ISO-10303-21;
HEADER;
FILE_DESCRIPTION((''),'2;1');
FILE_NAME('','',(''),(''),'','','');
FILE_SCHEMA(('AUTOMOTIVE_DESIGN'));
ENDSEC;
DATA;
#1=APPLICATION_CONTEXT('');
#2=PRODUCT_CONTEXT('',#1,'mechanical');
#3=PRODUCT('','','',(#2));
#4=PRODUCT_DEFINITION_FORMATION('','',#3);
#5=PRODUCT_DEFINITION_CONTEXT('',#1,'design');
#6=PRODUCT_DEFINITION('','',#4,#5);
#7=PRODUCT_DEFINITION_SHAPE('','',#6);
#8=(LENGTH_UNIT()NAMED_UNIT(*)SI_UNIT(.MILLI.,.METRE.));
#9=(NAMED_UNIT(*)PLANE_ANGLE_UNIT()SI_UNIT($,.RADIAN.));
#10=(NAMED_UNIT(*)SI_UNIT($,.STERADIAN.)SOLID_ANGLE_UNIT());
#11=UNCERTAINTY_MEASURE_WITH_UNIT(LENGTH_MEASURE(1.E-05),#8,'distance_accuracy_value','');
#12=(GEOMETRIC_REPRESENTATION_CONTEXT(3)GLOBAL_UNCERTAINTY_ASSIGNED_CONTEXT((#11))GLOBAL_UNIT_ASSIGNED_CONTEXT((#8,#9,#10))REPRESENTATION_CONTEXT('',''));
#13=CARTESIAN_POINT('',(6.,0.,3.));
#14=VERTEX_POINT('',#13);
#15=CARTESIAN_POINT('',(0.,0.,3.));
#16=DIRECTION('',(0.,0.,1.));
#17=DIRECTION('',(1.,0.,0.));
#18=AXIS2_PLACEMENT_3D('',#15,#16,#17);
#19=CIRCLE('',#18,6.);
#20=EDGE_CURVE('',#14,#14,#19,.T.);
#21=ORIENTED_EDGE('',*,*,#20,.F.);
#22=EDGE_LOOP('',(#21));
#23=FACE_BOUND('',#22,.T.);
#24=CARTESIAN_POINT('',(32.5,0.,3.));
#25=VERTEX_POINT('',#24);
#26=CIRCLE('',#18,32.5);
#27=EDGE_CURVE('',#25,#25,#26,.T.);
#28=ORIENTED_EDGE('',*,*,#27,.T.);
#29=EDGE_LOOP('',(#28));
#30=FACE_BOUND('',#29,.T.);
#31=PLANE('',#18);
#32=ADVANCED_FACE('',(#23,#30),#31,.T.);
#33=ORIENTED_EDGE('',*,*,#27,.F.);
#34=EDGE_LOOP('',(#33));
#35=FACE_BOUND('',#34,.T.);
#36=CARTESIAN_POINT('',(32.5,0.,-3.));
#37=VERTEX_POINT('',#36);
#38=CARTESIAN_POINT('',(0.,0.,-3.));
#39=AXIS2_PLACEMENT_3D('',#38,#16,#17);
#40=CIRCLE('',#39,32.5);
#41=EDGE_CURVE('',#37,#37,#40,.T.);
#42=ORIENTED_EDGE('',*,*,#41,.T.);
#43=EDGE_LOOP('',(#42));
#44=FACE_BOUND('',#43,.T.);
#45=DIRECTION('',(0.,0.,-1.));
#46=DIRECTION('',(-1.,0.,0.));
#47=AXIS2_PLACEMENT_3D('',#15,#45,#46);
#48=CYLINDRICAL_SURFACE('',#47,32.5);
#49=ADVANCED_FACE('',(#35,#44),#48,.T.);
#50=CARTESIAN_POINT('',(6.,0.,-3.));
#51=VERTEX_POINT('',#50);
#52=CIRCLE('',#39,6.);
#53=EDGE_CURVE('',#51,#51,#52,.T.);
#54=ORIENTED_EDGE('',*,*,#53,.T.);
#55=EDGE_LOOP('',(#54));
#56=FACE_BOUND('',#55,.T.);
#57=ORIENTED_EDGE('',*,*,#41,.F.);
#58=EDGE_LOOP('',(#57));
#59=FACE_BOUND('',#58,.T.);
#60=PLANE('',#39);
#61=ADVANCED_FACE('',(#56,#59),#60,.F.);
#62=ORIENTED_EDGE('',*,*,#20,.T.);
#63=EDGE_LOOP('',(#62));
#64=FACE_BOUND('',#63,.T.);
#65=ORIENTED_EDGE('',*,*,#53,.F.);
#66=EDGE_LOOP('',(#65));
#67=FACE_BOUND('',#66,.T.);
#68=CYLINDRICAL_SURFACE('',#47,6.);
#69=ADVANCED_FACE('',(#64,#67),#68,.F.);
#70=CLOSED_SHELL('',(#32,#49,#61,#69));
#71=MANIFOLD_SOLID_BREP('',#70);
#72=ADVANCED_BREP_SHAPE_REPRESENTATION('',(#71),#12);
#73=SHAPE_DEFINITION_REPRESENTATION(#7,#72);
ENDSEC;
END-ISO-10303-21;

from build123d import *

# Parameters (mm, degrees)
SCHIZZO1_R                   = 32.5
SCHIZZO1_R_2                 = 6
ESTRUSIONE_ESTRUSIONE1_DEPTH = 3


with BuildPart() as part:
    # Schizzo1 → Estrusione-Estrusione1 (new, symmetric)
    with BuildSketch(Plane.XY):
        Circle(SCHIZZO1_R)
        Circle(SCHIZZO1_R_2, mode=Mode.SUBTRACT)
    extrude(amount=ESTRUSIONE_ESTRUSIONE1_DEPTH, both=True)


solid = part.part
